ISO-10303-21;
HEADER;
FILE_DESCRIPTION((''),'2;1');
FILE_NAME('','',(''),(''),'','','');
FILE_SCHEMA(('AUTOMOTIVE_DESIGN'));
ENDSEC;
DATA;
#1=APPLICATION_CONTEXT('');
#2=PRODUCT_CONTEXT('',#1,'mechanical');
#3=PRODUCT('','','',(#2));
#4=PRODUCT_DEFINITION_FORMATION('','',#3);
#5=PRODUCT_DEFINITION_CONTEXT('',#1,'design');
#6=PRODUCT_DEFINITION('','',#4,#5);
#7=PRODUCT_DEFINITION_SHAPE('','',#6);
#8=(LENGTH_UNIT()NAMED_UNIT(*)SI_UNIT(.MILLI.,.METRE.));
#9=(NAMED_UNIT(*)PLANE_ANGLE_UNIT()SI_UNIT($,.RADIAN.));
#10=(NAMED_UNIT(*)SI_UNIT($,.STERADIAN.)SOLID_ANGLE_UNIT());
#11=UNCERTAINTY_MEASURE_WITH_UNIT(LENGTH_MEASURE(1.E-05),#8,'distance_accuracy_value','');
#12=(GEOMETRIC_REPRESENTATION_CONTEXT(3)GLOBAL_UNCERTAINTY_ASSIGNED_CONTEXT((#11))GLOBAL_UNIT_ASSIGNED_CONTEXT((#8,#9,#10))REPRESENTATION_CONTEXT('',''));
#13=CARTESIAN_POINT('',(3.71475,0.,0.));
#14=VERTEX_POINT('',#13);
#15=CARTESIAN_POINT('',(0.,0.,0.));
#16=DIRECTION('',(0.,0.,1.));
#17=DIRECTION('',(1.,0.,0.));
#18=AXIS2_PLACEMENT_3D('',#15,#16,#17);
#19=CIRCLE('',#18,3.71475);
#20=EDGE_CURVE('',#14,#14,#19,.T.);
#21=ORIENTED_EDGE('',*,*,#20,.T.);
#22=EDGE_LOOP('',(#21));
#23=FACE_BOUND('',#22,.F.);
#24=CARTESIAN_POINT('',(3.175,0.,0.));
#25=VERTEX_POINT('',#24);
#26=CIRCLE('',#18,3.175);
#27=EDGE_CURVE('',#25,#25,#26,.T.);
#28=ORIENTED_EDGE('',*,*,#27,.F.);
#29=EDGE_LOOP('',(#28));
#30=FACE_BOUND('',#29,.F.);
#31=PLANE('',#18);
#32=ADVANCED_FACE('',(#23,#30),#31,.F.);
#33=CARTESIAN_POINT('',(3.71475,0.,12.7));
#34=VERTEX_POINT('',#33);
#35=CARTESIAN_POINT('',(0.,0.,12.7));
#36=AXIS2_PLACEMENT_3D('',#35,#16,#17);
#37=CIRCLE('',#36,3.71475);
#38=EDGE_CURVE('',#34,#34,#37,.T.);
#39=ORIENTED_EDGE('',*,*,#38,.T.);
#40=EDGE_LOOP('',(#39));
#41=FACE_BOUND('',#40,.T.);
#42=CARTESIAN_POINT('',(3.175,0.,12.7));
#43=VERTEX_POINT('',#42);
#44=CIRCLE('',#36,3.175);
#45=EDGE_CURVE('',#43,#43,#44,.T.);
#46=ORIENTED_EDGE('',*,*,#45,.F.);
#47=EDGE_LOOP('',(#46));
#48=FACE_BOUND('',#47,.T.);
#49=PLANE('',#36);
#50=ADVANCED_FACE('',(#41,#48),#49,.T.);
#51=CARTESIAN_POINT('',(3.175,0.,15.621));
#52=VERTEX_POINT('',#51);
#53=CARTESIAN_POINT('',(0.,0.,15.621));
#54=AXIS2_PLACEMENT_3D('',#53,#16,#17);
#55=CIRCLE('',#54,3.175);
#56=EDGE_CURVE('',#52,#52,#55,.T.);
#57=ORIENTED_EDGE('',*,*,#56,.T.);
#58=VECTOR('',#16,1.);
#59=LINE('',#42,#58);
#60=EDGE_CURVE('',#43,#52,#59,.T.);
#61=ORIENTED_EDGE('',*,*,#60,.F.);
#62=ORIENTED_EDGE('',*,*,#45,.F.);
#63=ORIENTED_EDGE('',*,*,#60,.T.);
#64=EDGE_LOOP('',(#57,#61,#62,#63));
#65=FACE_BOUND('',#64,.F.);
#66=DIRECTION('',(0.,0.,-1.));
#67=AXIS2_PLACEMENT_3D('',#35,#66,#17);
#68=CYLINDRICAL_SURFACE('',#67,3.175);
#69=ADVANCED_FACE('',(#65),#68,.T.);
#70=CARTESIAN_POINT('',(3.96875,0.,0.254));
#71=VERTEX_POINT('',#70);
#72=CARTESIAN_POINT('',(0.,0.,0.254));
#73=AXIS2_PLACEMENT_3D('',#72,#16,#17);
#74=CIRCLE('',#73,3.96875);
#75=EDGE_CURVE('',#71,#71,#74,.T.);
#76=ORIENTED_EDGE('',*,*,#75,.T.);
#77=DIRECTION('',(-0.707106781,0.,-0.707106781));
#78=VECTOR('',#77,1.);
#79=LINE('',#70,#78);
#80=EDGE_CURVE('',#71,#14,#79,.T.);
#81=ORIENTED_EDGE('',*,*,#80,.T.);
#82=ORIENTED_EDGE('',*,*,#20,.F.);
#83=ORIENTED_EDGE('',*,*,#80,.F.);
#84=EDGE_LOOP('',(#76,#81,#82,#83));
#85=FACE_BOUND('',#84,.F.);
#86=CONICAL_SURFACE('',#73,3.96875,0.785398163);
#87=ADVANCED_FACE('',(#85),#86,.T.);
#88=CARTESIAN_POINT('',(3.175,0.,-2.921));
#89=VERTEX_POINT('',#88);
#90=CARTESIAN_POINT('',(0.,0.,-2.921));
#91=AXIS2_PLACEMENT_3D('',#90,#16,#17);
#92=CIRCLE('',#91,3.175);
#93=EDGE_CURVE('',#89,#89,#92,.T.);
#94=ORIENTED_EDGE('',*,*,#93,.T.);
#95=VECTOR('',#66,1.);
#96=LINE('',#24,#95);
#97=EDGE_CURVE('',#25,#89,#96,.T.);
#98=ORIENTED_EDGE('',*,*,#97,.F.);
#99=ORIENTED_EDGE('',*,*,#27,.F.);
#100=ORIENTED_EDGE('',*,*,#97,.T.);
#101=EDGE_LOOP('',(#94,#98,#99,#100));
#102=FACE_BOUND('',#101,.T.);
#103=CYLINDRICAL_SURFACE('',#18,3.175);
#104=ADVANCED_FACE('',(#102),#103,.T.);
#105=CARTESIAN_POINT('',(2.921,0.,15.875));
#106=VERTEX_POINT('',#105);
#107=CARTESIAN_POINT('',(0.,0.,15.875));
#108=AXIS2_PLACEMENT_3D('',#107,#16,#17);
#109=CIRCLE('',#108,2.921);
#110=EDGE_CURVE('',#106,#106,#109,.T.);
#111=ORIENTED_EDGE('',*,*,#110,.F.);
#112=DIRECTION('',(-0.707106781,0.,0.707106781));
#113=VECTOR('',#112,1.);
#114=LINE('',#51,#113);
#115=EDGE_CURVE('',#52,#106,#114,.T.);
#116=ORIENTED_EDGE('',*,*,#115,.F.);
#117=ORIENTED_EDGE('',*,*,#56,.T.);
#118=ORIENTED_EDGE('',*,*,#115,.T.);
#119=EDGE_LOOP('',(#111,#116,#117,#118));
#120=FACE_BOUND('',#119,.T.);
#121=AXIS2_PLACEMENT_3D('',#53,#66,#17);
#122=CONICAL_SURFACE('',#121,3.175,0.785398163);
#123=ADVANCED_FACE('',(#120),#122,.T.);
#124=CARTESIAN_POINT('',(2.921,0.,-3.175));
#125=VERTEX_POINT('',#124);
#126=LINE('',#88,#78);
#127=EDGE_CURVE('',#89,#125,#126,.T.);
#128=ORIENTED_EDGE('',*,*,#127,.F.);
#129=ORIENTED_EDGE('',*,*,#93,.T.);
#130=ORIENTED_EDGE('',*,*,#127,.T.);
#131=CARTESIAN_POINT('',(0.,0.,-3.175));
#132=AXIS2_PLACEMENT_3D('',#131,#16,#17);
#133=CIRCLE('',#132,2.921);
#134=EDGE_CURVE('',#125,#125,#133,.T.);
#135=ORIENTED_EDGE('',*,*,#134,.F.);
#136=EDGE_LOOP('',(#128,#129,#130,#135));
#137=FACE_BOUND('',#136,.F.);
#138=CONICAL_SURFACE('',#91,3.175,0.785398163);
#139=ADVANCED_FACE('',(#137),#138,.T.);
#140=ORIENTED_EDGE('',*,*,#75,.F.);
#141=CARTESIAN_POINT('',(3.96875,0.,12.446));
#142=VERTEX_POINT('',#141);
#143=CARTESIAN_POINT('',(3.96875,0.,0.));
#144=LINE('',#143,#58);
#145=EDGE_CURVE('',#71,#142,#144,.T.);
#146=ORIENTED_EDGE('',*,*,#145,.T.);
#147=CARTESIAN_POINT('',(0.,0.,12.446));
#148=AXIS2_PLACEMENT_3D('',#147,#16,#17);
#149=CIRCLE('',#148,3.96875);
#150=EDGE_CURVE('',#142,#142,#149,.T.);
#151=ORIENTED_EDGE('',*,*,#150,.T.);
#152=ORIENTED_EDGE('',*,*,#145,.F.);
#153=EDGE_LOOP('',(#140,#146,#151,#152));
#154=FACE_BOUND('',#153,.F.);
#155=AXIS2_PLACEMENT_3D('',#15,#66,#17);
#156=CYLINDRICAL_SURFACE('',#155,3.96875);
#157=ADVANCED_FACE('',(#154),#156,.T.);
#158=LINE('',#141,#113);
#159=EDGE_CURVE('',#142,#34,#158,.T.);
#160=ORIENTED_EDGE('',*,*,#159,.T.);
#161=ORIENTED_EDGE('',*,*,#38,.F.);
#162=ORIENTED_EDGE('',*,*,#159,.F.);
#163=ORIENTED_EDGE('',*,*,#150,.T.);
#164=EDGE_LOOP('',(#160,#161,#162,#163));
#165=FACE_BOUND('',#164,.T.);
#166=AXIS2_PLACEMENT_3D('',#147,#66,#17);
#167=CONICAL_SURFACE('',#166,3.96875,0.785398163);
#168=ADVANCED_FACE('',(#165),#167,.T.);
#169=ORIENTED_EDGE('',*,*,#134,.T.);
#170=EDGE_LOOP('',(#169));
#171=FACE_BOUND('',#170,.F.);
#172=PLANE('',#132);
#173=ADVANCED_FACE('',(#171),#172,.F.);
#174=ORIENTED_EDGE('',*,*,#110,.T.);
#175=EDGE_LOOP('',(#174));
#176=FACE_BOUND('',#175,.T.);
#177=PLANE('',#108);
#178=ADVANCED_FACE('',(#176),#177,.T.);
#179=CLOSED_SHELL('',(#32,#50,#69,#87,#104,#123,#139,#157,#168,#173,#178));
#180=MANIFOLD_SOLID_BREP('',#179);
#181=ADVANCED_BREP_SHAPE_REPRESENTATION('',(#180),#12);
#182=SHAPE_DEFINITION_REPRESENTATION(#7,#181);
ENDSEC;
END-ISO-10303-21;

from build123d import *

# Parameters (mm, degrees)
F0_R     = 3.96875
F1_DEPTH = 12.7
F2_R     = 3.175
F3_DEPTH = 3.175
F4_R     = 3.175
F5_DEPTH = 3.175
F6_SIZE  = 0.254


with BuildPart() as f1:
    # F0 (on Top) → F1 (new body)
    with BuildSketch(Plane.XY):
        Circle(F0_R)
    extrude(amount=F1_DEPTH)

    # F2 (on Top) → F3 (join)
    with BuildSketch(Plane.XY):
        Circle(F2_R)
    extrude(amount=-F3_DEPTH)

    # F4 (on face) → F5 (join)
    with BuildSketch(Plane.XY.offset(12.7)):
        Circle(F4_R)
    extrude(amount=F5_DEPTH)

    # F6
    f6_edges = [f1.edges().sort_by_distance(p)[0] for p in [
        (-3.175, 0, 15.875),
        (-3.96875, 0, 12.7),
        (-3.96875, 0, 0),
        (-3.175, 0, -3.175),
    ]]
    chamfer(f6_edges, length=F6_SIZE)


solid = f1.part
